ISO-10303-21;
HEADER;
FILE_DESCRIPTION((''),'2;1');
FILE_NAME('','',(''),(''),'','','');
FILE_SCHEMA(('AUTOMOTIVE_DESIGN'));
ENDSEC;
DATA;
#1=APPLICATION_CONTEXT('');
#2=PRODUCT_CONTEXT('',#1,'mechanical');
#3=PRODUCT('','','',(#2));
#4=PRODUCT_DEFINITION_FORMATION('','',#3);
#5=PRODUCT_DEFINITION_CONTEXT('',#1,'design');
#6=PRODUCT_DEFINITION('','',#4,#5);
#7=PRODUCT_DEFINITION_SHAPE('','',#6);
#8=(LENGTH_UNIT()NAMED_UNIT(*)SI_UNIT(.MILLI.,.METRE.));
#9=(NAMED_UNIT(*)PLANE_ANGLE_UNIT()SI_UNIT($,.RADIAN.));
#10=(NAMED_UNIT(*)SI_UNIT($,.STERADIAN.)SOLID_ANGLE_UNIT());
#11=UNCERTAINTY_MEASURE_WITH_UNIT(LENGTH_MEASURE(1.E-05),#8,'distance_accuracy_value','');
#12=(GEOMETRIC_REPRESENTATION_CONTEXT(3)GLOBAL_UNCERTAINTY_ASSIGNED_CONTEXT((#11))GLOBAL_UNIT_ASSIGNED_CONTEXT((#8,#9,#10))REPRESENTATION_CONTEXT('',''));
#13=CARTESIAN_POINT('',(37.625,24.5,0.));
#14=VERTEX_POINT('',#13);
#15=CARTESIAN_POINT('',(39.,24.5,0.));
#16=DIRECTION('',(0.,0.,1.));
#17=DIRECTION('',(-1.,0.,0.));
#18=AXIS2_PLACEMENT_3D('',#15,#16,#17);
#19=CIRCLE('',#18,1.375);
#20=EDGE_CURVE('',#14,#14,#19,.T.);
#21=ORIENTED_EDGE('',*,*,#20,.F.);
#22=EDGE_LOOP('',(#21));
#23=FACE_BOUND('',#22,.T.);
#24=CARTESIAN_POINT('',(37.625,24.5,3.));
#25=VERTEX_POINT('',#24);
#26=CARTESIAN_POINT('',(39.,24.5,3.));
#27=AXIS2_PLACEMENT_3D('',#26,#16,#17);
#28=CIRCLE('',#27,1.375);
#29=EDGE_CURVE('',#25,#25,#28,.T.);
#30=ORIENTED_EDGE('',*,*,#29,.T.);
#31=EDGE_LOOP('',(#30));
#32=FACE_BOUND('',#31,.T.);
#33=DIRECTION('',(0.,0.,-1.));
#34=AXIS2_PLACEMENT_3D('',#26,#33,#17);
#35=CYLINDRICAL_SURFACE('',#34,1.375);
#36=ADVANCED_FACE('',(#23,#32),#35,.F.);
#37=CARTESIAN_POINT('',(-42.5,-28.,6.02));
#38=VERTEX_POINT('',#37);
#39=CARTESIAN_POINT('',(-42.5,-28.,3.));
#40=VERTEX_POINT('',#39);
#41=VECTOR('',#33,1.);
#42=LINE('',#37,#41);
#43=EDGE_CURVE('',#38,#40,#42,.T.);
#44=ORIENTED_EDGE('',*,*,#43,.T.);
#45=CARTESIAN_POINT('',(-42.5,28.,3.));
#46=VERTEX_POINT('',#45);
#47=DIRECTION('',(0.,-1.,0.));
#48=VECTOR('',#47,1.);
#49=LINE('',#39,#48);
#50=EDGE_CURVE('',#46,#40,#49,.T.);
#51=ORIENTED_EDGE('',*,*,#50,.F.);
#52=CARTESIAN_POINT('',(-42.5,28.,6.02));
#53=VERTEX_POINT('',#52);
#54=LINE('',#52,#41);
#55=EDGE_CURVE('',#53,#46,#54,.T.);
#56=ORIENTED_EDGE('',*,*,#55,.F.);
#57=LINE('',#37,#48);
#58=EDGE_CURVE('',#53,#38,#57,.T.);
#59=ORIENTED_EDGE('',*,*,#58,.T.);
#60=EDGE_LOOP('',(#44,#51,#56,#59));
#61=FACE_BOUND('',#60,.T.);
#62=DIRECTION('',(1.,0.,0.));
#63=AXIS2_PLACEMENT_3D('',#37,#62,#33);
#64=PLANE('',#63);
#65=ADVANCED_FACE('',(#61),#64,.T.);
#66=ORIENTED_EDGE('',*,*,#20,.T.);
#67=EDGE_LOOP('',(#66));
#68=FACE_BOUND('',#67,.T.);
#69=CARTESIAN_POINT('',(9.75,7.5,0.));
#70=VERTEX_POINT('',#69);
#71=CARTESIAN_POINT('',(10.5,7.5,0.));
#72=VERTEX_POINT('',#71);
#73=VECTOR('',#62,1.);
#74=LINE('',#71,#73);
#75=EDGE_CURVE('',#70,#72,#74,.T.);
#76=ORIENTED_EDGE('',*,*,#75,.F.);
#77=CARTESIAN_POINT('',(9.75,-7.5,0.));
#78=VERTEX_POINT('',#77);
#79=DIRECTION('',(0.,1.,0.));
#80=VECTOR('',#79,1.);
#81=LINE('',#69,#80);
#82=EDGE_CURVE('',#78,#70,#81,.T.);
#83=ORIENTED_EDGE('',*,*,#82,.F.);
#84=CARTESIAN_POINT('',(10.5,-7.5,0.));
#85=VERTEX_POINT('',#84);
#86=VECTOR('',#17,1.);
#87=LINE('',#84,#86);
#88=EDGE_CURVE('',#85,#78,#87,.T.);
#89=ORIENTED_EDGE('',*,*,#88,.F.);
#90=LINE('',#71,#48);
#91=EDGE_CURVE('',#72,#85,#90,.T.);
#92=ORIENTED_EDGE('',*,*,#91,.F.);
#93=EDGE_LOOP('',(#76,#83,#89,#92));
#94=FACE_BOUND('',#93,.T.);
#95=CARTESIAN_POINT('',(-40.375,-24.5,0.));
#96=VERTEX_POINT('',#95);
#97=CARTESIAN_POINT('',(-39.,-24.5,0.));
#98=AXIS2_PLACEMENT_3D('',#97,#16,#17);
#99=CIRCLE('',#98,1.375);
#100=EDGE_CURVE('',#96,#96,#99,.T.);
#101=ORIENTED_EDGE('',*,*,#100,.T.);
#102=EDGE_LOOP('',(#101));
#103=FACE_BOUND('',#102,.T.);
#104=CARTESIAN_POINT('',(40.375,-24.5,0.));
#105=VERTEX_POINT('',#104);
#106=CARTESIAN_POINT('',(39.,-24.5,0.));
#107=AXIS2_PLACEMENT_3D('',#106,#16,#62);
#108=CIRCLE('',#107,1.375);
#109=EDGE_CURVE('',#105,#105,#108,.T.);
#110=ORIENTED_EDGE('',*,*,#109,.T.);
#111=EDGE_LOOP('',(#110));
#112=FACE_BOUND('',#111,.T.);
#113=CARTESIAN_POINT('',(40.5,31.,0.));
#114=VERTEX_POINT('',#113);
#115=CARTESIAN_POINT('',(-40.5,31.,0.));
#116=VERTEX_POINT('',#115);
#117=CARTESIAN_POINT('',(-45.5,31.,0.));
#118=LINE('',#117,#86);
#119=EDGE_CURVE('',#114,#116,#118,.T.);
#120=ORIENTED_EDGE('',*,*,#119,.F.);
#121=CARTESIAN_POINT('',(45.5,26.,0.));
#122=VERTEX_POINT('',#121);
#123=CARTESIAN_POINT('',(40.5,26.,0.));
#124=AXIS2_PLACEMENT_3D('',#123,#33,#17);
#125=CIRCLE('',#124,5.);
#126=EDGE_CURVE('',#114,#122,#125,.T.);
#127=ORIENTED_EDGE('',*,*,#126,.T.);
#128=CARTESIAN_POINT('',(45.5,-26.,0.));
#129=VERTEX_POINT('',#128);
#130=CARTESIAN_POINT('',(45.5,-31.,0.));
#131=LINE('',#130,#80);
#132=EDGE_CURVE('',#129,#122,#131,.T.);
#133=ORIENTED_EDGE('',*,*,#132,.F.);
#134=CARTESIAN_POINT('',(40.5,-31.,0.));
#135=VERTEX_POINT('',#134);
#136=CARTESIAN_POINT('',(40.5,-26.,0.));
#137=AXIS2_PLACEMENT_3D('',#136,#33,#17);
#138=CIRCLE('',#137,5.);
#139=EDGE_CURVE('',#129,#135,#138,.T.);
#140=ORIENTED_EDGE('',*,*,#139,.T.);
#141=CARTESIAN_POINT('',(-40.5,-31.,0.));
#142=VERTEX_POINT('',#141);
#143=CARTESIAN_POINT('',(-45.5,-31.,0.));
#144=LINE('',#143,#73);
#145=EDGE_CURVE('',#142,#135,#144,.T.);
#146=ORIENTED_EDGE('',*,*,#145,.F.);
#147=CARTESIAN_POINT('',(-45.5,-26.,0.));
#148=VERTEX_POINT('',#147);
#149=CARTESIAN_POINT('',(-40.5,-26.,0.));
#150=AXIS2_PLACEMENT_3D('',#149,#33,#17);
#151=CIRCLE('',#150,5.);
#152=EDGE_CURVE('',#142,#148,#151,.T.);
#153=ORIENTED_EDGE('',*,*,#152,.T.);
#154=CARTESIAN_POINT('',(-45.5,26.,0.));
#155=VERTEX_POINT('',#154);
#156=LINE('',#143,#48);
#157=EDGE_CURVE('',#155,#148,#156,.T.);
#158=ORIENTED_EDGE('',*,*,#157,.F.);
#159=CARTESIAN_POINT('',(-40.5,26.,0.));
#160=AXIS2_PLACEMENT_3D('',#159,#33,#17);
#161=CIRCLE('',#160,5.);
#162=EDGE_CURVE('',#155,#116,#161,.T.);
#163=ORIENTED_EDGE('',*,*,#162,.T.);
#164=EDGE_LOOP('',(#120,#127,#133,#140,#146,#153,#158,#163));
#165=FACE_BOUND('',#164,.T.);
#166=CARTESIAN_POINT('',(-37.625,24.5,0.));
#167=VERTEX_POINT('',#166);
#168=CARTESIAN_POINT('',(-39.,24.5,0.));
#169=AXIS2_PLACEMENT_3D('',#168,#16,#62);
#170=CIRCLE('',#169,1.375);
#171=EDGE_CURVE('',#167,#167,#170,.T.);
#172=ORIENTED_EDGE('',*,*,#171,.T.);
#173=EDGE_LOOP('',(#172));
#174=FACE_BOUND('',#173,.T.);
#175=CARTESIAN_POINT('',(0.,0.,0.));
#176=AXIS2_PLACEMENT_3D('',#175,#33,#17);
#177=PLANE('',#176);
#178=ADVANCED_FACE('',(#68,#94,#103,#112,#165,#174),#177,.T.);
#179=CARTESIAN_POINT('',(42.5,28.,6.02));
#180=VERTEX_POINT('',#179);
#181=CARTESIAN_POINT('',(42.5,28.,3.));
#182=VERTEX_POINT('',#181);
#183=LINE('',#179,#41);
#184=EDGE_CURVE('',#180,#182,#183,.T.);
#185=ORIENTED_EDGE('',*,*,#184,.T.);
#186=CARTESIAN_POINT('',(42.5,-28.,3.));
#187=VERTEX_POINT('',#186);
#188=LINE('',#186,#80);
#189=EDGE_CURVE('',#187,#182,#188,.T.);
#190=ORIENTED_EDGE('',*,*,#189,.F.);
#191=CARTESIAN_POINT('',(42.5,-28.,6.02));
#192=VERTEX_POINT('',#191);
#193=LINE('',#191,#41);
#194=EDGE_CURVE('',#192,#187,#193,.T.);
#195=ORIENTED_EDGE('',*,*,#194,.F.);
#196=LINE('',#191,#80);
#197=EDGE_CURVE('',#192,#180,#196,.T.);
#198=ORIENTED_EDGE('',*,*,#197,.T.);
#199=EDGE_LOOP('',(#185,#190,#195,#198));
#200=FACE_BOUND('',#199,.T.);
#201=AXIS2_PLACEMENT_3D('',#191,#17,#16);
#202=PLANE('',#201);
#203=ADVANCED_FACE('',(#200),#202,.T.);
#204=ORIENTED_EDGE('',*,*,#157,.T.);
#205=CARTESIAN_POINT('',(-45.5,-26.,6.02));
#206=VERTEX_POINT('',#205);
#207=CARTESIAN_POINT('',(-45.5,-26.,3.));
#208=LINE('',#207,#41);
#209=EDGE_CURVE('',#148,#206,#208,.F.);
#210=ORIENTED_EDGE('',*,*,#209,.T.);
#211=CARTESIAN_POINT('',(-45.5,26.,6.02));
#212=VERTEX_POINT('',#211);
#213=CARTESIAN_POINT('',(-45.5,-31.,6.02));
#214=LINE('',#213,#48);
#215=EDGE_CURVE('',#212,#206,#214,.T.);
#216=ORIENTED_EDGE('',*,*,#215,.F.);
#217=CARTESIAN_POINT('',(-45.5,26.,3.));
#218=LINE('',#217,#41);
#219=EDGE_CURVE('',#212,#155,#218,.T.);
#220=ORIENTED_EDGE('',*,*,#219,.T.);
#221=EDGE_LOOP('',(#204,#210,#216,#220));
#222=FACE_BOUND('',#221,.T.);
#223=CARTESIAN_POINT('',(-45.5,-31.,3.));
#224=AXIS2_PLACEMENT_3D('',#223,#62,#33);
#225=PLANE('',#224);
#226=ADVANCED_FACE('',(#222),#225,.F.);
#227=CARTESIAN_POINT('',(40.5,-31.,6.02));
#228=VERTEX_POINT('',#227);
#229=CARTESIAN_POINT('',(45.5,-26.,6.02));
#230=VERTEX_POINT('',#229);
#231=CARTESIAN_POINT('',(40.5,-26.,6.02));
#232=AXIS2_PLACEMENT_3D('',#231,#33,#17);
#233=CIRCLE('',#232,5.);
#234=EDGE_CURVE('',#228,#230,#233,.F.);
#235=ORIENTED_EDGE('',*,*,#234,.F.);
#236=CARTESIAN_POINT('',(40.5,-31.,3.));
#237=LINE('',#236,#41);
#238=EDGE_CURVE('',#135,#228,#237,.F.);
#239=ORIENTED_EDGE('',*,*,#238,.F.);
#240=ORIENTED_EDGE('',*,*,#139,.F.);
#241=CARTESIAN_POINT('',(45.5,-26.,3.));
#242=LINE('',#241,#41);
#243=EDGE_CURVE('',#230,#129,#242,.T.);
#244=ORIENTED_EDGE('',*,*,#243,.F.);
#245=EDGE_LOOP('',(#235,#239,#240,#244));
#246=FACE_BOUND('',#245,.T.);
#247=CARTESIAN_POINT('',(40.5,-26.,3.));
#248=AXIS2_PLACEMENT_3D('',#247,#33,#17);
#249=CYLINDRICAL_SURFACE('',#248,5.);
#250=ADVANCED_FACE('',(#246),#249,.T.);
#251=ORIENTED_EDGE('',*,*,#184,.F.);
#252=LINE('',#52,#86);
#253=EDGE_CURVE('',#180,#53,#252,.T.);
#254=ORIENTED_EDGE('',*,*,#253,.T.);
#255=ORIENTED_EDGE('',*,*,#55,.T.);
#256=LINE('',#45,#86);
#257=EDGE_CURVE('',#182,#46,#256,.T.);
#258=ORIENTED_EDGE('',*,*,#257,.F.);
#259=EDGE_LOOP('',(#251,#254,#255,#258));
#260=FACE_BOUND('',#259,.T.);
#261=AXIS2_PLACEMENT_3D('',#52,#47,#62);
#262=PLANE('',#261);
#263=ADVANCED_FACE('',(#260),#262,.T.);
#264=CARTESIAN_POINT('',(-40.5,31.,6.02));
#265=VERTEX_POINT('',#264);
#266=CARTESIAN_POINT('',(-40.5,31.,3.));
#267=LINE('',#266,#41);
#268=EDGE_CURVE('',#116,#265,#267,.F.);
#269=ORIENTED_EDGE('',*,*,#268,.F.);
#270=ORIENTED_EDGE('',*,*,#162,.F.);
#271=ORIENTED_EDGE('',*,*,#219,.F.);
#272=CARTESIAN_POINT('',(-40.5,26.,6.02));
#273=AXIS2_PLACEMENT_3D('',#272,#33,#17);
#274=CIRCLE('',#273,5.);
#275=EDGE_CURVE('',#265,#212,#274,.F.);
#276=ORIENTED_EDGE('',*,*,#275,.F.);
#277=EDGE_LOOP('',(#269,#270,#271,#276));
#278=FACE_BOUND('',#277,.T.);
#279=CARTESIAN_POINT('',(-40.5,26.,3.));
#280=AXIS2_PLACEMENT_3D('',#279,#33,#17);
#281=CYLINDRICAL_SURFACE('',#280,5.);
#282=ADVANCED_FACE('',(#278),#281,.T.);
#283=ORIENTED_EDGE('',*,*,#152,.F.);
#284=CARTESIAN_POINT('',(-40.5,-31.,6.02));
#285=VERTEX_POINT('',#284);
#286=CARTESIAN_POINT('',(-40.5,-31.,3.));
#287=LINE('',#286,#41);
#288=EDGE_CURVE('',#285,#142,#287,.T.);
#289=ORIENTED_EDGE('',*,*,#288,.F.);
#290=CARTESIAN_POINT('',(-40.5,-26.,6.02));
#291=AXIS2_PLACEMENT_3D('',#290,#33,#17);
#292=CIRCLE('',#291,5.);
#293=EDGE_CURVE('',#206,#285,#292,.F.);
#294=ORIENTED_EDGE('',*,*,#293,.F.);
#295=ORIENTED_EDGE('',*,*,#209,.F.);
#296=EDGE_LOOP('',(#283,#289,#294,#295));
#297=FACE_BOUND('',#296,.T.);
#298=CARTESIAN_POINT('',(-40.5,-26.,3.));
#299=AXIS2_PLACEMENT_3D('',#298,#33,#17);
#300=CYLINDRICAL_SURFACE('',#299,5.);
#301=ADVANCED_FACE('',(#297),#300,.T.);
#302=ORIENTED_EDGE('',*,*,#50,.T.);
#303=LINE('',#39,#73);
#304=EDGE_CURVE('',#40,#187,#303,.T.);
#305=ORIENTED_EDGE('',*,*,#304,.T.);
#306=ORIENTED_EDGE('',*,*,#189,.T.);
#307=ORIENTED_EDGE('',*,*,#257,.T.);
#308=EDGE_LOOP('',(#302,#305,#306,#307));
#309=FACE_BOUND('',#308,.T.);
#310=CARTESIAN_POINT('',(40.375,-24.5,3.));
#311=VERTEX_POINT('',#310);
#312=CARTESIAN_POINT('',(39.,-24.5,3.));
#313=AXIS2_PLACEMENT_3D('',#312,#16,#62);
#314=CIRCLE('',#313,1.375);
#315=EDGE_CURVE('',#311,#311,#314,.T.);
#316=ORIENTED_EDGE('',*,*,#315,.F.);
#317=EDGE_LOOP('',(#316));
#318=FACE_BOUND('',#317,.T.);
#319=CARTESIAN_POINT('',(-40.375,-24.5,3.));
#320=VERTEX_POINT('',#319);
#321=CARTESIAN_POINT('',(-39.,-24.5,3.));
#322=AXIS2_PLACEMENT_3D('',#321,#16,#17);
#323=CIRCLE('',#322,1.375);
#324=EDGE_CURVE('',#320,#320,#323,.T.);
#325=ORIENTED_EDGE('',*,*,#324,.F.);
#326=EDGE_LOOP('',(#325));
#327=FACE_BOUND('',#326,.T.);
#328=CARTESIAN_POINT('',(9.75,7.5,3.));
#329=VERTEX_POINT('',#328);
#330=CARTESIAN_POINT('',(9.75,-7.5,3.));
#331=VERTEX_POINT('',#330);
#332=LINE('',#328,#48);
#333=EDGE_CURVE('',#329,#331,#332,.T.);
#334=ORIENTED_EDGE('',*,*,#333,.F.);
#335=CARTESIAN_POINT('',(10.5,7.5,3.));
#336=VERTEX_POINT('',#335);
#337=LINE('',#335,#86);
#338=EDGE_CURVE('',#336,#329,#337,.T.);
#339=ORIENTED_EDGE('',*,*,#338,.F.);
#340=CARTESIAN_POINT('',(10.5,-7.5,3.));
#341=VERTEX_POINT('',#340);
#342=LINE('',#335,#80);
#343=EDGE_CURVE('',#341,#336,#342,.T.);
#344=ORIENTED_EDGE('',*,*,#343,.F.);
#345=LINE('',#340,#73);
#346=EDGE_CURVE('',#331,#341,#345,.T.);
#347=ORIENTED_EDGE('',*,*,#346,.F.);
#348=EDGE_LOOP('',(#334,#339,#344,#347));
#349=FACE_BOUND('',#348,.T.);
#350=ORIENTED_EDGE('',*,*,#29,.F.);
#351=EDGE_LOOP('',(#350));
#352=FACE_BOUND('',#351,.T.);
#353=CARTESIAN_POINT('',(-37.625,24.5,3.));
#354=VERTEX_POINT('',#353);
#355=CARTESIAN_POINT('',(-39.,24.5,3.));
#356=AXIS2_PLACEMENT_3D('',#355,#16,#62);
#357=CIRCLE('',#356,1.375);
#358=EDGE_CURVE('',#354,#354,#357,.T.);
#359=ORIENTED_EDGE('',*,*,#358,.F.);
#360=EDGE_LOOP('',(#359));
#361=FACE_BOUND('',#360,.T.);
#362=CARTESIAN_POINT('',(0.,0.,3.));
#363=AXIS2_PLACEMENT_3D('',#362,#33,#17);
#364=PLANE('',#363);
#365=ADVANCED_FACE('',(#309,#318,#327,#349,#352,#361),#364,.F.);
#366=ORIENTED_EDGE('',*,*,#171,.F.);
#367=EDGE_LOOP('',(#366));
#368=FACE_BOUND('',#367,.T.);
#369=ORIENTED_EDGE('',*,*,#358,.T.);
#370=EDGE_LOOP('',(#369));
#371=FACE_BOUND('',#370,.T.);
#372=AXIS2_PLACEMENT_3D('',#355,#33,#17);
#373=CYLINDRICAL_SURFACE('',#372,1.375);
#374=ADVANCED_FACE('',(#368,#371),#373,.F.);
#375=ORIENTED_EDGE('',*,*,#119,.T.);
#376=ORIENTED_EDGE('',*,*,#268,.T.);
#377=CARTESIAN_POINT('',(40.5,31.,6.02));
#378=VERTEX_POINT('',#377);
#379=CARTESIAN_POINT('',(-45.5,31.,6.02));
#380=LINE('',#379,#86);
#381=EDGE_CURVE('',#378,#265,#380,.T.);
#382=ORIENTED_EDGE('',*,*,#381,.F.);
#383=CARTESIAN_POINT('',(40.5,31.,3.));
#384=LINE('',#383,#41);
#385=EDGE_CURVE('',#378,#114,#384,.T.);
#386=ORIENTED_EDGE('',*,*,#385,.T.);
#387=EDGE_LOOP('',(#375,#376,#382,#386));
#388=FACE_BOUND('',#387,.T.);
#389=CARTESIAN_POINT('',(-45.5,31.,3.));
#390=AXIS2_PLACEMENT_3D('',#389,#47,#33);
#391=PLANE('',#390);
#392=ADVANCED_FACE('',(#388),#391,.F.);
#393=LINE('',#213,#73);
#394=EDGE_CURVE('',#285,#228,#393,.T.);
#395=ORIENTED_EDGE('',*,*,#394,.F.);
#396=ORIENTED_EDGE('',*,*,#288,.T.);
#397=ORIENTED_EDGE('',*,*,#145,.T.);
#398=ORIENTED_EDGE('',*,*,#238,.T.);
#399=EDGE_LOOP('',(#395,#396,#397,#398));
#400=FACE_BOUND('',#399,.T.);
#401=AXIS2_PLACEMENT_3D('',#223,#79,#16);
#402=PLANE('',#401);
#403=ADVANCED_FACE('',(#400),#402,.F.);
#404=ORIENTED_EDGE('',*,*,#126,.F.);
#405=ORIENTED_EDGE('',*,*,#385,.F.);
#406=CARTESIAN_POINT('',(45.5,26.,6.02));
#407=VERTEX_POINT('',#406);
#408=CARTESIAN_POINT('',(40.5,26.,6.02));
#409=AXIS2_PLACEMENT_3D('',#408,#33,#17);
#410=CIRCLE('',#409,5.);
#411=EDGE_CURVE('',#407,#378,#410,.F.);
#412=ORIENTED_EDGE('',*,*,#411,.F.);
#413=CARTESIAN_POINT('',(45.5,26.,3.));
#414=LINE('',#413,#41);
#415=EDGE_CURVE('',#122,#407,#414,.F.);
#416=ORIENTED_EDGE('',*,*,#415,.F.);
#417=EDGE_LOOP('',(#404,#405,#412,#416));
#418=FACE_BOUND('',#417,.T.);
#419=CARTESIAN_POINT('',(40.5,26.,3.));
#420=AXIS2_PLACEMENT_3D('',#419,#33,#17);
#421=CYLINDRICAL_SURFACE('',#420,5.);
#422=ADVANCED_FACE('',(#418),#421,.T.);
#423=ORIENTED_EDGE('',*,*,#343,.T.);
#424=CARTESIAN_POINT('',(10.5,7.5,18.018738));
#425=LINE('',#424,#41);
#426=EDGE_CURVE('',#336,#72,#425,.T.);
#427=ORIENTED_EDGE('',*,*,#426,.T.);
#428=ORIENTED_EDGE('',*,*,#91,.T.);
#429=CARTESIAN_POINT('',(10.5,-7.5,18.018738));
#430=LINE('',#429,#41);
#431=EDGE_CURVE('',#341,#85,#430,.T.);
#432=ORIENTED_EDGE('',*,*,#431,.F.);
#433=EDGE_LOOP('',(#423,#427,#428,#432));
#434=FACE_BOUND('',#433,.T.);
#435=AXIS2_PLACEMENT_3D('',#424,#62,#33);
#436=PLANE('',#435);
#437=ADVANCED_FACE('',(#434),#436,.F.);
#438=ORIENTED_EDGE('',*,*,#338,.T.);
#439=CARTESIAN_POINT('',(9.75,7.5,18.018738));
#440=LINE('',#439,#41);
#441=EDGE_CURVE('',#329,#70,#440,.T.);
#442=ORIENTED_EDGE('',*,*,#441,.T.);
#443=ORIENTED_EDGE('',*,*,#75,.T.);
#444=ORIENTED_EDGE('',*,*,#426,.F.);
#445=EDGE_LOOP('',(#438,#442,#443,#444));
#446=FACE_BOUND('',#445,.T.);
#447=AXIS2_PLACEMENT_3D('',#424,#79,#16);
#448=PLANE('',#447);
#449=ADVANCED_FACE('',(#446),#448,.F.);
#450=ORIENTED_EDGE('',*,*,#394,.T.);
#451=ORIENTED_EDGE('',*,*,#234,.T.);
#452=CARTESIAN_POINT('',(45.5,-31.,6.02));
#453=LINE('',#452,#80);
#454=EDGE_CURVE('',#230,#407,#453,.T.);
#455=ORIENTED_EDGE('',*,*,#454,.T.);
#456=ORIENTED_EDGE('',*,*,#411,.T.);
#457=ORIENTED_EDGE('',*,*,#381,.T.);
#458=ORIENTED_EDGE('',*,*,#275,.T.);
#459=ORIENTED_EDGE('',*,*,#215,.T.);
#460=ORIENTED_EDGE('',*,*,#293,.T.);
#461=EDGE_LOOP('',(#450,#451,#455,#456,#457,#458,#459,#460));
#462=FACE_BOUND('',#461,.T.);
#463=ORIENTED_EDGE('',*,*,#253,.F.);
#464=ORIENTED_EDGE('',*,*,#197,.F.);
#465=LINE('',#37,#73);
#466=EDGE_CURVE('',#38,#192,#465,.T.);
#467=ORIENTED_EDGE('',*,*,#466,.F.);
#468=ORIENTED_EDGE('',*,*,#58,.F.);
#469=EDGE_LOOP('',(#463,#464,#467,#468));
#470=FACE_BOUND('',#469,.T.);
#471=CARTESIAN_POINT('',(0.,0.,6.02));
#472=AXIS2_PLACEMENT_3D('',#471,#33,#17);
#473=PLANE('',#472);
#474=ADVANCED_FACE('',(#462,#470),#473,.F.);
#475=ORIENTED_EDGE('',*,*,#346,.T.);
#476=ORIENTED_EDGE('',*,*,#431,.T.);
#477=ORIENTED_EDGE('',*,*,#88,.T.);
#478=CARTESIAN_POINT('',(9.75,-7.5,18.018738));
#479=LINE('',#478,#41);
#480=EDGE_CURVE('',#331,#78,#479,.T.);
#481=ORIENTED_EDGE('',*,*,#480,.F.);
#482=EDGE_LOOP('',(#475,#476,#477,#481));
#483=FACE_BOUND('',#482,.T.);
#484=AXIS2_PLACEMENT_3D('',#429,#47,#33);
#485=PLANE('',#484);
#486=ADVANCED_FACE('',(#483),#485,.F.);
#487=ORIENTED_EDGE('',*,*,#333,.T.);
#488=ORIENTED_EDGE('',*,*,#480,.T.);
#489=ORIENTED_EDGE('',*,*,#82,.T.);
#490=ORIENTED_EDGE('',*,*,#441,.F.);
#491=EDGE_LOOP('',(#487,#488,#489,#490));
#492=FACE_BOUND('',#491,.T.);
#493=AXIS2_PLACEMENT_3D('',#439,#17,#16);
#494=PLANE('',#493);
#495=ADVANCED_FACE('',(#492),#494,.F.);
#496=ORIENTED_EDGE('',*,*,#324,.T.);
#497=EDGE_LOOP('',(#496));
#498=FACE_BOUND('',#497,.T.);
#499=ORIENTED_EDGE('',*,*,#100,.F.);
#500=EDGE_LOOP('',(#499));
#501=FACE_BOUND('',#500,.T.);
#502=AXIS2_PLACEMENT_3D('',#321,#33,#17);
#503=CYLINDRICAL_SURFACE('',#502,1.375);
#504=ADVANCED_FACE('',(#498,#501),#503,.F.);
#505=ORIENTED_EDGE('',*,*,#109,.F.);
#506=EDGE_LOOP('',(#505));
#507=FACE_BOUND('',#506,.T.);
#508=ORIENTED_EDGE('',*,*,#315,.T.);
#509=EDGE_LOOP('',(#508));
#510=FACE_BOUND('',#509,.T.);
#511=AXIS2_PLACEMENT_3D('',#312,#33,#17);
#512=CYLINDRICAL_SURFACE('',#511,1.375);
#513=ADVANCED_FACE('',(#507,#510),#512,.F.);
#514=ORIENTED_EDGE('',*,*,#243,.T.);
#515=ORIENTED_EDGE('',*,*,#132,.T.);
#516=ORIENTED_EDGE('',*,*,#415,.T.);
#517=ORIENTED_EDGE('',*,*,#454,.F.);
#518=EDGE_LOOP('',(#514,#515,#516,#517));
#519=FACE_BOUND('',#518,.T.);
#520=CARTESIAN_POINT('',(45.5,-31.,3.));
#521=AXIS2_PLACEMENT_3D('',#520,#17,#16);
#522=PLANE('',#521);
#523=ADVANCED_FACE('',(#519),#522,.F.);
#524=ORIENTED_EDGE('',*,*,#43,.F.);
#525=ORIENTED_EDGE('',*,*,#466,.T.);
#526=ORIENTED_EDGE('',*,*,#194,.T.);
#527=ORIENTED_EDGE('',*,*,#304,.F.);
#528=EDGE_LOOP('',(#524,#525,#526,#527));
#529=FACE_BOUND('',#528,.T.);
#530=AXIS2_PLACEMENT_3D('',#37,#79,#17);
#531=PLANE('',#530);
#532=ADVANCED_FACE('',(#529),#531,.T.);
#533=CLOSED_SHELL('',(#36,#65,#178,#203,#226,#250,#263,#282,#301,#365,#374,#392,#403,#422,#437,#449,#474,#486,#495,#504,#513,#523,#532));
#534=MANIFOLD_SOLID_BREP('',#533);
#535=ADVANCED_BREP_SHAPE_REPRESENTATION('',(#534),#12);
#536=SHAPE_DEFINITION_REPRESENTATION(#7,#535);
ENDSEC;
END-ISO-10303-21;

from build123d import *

# Parameters (mm, degrees)
SKETCH1_W           = 91
SKETCH1_H           = 62
SKETCH1_R           = 1.375
BOSS_EXTRUDE1_DEPTH = 3
SKETCH2_W           = 91
SKETCH2_H           = 62
SKETCH2_W_2         = 85
SKETCH2_H_2         = 56
BOSS_EXTRUDE2_DEPTH = 3.02
FILLET1_R           = 5
SKETCH3_W           = 0.75
SKETCH3_H           = 15
CUT_EXTRUDE1_DEPTH  = 3


with BuildPart() as part:
    # Sketch1 → Boss-Extrude1 (new body)
    with BuildSketch(Plane.XY):
        Rectangle(SKETCH1_W, SKETCH1_H)
        with Locations((-39, 24.5)):
            Circle(SKETCH1_R, mode=Mode.SUBTRACT)
        with Locations(Location((-39, -24.5, 0), (0, 0, 180))):
            Circle(SKETCH1_R, mode=Mode.SUBTRACT)
        with Locations((39, -24.5)):
            Circle(SKETCH1_R, mode=Mode.SUBTRACT)
        with Locations(Location((39, 24.5, 0), (0, 0, 180))):
            Circle(SKETCH1_R, mode=Mode.SUBTRACT)
    extrude(amount=BOSS_EXTRUDE1_DEPTH)

    # Sketch2 → Boss-Extrude2 (add)
    with BuildSketch(Plane.XY.offset(3)):
        Rectangle(SKETCH2_W, SKETCH2_H)
        Rectangle(SKETCH2_W_2, SKETCH2_H_2, mode=Mode.SUBTRACT)
    extrude(amount=BOSS_EXTRUDE2_DEPTH)

    # Fillet1
    fillet1_edges = [part.edges().sort_by_distance(p)[0] for p in [
        (45.5, -31, 3.01),
        (-45.5, -31, 3.01),
        (-45.5, 31, 3.01),
        (45.5, 31, 3.01),
    ]]
    fillet(fillet1_edges, radius=FILLET1_R)

    # Sketch3 → Cut-Extrude1 (cut)
    with BuildSketch(Plane(origin=(0, 0, 0), x_dir=(-1, 0, 0), z_dir=(0, 0, -1))):
        with Locations((-10.125, 0)):
            Rectangle(SKETCH3_W, SKETCH3_H)
    extrude(amount=-CUT_EXTRUDE1_DEPTH, mode=Mode.SUBTRACT)


solid = part.part
